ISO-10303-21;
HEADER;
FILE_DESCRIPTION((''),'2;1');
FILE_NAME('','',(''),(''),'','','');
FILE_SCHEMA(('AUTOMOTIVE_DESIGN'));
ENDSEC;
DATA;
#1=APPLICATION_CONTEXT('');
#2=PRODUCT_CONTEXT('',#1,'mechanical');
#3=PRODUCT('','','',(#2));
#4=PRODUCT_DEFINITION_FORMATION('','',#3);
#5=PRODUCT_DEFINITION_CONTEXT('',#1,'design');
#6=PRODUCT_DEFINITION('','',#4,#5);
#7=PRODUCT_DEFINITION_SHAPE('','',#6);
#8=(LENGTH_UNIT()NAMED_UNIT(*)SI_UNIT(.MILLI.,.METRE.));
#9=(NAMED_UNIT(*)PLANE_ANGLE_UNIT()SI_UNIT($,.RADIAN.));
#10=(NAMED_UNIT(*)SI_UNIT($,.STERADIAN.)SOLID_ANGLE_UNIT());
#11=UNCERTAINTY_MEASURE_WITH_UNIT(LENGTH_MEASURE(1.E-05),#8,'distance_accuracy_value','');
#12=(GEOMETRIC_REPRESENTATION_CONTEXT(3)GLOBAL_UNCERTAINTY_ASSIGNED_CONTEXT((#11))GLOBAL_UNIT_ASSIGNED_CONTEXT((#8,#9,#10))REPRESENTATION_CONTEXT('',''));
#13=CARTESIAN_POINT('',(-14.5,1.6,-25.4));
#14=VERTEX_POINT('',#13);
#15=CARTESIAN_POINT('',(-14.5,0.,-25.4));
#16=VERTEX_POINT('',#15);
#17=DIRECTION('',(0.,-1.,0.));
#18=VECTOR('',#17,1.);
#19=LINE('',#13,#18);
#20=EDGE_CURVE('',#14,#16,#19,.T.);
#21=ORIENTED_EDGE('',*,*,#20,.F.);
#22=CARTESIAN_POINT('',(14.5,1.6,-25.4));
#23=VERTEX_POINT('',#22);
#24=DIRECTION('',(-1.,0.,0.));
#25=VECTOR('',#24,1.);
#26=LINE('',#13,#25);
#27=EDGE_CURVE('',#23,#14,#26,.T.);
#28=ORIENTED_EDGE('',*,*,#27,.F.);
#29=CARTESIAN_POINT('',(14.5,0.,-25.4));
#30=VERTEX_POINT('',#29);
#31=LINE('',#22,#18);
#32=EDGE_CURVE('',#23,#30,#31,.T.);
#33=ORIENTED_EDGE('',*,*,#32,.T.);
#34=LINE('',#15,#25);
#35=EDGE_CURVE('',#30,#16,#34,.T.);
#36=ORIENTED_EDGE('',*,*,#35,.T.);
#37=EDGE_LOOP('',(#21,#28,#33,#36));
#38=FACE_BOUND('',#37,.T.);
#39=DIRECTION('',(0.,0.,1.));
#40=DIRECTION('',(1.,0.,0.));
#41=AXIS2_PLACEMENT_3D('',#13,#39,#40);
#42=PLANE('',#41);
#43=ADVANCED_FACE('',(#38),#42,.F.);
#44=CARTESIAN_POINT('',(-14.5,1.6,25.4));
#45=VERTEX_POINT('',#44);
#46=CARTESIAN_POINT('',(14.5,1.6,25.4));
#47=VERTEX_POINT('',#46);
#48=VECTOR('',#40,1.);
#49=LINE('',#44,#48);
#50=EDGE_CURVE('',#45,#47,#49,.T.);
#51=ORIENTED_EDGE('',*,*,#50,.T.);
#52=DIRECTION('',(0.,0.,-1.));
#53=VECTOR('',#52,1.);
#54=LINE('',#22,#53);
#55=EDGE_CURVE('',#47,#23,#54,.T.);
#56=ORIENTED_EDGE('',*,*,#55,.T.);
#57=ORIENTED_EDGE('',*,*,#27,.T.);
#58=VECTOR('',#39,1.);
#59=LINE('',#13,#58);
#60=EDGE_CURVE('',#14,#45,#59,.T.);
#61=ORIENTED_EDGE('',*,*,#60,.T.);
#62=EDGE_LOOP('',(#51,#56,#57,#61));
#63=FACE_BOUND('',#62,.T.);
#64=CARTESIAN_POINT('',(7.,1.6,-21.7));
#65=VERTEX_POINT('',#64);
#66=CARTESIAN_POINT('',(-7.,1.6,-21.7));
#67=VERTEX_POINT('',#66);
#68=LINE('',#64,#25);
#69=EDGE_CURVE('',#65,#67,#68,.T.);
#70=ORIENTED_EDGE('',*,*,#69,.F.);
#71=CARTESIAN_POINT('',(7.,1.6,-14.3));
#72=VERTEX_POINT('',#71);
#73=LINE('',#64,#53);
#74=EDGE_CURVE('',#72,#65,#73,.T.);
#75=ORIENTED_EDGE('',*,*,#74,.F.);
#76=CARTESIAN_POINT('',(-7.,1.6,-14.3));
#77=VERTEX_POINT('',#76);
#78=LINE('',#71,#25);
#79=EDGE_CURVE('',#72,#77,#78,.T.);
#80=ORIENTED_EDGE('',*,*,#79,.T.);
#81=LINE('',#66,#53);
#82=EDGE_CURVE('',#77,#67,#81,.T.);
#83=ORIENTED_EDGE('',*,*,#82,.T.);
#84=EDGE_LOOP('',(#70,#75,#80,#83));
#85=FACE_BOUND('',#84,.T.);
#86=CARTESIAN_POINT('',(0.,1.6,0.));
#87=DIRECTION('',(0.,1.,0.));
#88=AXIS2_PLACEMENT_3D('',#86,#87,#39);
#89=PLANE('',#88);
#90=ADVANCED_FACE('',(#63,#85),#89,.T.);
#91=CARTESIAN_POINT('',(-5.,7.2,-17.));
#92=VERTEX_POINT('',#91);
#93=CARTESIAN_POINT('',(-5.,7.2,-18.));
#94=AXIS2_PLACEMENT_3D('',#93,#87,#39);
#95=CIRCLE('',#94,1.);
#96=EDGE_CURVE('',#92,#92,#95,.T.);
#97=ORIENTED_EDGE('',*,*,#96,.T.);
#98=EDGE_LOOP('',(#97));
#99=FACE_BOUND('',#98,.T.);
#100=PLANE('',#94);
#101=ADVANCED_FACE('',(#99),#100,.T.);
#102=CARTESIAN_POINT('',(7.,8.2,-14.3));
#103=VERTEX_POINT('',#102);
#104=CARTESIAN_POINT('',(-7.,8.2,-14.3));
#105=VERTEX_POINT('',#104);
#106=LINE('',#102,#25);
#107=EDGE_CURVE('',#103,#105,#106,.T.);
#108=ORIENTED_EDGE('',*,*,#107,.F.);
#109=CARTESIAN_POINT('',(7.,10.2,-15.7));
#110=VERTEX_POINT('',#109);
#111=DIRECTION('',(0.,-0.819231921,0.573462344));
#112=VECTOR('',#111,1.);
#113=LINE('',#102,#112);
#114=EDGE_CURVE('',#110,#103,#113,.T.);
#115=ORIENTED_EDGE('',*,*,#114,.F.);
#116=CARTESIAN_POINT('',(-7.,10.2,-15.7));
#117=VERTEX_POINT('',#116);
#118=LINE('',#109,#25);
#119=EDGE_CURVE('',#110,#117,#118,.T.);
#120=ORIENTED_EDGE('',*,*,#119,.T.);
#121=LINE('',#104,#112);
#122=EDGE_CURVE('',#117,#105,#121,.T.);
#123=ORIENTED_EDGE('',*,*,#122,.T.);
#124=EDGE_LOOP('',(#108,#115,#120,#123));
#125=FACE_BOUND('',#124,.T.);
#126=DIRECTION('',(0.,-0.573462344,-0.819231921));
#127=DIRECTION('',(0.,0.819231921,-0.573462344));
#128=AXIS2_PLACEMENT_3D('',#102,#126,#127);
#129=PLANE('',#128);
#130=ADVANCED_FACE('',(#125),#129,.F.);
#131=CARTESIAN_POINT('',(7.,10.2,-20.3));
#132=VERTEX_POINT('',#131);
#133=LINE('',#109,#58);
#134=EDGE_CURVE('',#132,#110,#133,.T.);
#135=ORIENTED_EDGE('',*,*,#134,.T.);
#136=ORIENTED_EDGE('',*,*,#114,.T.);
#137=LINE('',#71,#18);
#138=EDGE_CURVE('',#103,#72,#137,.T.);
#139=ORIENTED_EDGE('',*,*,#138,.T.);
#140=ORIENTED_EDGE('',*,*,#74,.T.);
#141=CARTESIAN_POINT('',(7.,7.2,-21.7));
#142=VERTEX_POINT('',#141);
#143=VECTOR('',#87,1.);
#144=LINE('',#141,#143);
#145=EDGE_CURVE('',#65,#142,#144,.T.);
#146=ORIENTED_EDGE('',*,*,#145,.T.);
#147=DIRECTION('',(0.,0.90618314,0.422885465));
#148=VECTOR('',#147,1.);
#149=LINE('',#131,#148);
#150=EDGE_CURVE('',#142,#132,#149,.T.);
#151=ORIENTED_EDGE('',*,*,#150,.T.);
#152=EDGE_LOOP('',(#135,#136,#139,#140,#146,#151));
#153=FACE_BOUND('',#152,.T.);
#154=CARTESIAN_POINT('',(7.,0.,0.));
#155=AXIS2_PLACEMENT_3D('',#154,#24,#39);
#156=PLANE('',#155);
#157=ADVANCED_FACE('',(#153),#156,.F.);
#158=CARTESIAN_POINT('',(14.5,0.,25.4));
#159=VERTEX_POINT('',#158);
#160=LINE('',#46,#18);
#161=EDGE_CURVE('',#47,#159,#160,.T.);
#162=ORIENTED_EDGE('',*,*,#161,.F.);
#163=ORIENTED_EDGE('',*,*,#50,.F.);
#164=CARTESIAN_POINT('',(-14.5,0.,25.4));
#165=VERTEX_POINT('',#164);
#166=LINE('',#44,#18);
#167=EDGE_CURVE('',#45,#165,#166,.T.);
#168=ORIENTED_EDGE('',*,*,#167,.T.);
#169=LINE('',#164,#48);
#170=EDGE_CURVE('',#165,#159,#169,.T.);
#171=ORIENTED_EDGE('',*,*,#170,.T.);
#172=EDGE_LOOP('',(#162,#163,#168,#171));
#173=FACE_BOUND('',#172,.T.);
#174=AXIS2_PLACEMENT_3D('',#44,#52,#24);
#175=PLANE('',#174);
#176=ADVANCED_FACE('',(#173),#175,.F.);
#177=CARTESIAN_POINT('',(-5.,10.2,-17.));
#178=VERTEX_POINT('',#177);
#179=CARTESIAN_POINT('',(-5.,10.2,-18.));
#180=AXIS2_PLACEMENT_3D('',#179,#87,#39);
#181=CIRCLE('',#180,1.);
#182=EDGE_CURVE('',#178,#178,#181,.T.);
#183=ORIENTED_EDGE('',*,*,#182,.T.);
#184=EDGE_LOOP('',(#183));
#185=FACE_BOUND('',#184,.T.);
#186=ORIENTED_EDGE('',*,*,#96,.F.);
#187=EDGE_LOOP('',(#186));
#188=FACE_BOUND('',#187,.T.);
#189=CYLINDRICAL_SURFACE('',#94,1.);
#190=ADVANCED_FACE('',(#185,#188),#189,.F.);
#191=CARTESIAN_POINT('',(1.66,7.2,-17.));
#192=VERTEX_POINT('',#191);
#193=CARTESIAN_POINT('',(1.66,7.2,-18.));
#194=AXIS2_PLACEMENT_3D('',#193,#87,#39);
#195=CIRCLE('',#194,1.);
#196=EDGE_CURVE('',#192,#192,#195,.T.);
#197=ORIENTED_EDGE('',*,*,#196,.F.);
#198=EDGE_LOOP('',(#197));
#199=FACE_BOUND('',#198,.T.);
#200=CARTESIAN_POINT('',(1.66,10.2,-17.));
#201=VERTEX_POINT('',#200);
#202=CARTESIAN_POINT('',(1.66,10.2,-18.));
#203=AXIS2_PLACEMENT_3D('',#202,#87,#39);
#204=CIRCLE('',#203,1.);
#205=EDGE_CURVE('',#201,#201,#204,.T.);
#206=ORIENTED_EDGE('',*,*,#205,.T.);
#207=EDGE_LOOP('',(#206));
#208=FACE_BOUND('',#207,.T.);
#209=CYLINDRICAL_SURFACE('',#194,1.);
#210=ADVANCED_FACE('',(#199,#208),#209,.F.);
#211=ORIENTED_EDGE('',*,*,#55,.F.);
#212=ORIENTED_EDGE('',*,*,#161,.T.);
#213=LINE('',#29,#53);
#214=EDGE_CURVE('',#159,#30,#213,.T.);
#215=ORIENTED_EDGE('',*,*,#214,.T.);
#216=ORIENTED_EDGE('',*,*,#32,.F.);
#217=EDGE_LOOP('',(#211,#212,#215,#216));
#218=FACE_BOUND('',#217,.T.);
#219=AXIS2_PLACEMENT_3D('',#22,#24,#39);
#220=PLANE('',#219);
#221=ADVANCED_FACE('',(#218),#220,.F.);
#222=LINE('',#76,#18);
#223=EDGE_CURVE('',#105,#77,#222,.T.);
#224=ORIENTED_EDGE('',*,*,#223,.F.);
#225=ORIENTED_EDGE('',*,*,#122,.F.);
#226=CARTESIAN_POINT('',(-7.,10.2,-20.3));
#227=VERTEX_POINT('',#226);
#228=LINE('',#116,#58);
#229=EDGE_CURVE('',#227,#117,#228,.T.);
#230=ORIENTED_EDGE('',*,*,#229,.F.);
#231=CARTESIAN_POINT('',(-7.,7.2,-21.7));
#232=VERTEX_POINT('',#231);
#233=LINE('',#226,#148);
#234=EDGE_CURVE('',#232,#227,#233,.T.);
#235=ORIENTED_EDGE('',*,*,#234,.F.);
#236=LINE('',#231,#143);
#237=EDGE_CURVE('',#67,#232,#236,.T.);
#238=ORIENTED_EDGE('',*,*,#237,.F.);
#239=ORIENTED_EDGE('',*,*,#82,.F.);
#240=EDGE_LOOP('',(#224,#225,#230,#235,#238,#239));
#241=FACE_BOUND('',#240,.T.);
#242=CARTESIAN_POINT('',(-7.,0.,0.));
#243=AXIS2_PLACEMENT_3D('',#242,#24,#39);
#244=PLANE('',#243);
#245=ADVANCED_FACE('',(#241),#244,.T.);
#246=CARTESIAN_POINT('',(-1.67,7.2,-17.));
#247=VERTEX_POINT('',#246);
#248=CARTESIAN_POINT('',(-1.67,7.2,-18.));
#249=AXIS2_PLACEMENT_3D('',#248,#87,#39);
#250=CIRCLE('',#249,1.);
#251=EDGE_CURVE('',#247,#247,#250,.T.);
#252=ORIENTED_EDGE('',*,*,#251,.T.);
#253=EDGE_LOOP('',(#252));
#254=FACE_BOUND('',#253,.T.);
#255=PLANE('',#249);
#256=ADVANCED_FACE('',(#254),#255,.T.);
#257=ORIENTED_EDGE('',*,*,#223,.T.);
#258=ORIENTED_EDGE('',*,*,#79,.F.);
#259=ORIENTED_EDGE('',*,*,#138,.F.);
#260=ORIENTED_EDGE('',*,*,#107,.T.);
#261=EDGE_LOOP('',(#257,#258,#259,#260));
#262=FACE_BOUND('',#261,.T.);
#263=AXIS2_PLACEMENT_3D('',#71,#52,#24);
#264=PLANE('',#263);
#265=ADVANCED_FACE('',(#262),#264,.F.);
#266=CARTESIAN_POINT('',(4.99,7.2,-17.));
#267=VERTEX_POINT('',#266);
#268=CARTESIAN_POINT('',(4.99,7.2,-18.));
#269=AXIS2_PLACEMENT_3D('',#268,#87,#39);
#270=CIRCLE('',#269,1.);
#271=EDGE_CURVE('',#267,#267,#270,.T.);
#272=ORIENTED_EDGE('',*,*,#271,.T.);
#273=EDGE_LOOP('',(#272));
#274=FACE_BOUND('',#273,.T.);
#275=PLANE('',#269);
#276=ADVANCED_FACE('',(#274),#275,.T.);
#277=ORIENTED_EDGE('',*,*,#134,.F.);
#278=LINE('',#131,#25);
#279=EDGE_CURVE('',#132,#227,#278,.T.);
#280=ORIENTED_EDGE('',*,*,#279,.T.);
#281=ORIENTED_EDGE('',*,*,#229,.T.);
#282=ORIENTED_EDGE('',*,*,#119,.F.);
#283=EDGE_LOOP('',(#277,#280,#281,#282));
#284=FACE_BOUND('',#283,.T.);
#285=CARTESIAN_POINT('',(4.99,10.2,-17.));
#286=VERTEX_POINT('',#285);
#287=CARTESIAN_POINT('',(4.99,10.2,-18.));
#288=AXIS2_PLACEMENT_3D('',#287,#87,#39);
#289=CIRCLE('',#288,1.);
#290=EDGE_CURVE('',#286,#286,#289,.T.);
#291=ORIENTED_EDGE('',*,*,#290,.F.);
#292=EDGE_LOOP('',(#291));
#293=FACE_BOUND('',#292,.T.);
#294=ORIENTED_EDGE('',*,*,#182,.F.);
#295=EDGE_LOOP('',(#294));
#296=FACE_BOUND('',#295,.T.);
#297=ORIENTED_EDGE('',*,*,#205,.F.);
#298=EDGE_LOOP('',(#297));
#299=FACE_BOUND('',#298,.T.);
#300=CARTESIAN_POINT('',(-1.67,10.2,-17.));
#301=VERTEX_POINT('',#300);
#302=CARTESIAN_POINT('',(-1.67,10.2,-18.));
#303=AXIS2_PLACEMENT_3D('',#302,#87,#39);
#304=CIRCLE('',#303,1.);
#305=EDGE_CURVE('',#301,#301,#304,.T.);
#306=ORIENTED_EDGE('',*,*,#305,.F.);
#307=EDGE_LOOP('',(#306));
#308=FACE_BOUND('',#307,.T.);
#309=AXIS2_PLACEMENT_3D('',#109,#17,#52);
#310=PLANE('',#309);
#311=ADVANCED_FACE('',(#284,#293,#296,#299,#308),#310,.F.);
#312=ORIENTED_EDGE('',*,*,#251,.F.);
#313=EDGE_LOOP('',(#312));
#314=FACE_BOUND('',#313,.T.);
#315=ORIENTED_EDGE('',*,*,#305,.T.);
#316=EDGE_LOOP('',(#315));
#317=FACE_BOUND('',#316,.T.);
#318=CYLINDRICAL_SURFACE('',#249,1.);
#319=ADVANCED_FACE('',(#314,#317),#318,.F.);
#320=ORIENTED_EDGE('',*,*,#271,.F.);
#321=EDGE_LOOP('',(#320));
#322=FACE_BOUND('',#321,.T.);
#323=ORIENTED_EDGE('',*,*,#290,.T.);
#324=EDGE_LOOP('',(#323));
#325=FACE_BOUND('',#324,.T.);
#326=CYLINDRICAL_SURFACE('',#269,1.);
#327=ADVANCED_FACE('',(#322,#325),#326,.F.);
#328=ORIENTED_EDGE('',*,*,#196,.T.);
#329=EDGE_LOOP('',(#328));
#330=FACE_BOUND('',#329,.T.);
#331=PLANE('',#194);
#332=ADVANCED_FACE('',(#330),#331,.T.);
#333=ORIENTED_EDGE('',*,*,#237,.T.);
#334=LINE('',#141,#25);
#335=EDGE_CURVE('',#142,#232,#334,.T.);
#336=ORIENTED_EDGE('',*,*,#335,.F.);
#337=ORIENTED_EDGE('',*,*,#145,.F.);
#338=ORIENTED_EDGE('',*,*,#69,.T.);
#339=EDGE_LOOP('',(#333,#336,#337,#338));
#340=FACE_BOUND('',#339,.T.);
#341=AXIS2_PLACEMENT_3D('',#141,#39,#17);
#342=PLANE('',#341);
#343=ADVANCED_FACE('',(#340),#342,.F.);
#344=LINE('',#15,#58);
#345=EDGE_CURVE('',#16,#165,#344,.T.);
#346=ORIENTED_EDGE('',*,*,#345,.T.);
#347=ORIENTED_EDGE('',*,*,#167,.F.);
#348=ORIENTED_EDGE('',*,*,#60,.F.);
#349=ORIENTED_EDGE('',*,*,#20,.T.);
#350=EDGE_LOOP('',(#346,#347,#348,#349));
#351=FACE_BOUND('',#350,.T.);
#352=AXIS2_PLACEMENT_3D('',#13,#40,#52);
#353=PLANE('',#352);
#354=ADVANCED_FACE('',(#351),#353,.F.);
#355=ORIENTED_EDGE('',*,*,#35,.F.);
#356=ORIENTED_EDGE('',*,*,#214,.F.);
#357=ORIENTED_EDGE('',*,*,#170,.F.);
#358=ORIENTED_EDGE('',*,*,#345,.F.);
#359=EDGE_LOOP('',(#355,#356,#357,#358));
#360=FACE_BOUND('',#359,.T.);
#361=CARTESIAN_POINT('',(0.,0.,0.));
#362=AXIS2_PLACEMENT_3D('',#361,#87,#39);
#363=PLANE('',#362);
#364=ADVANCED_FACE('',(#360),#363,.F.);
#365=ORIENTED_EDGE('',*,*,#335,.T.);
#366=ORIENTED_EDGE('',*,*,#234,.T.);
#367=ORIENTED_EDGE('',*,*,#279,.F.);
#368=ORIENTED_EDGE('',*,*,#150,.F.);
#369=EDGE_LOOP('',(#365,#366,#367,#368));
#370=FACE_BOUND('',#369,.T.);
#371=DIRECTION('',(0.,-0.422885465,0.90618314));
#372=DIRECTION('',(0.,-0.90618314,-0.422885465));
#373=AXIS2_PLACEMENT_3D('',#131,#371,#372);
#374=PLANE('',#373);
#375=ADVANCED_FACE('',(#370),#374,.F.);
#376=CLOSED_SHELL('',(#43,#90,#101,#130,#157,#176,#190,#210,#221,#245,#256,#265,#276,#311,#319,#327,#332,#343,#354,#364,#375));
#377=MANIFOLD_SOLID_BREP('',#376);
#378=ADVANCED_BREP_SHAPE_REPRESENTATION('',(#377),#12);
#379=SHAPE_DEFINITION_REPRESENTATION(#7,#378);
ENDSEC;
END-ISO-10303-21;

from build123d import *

# Parameters (mm, degrees)
CROQUIS1_W              = 29
CROQUIS1_H              = 50.8
SALIENTE_EXTRUIR1_DEPTH = 1.6
SALIENTE_EXTRUIR2_DEPTH = 7
CROQUIS3_R              = 1
CORTAR_EXTRUIR1_DEPTH   = 3


with BuildPart() as part:
    # Croquis1 → Saliente-Extruir1 (new body)
    with BuildSketch(Plane(origin=(0, 0, 0), x_dir=(1, 0, 0), z_dir=(0, 1, 0))):
        Rectangle(CROQUIS1_W, CROQUIS1_H)
    extrude(amount=SALIENTE_EXTRUIR1_DEPTH)

    # Croquis2 → Saliente-Extruir2 (add, symmetric)
    with BuildSketch(Plane(origin=(0, 0, 0), x_dir=(0, 0, -1), z_dir=(1, 0, 0))):
        Polygon((14.3, 1.6), (14.3, 8.2), (15.7, 10.2), (20.3, 10.2), (21.7, 7.2), (21.7, 1.6), align=None)
    extrude(amount=SALIENTE_EXTRUIR2_DEPTH, both=True)

    # Croquis3 → Cortar-Extruir1 (cut)
    with BuildSketch(Plane(origin=(0, 10.2, 0), x_dir=(1, 0, 0), z_dir=(0, 1, 0))):
        with Locations((-5, 18)):
            Circle(CROQUIS3_R)
        with Locations((-1.67, 18)):
            Circle(CROQUIS3_R)
        with Locations((1.66, 18)):
            Circle(CROQUIS3_R)
        with Locations((4.99, 18)):
            Circle(CROQUIS3_R)
    extrude(amount=-CORTAR_EXTRUIR1_DEPTH, mode=Mode.SUBTRACT)


solid = part.part
